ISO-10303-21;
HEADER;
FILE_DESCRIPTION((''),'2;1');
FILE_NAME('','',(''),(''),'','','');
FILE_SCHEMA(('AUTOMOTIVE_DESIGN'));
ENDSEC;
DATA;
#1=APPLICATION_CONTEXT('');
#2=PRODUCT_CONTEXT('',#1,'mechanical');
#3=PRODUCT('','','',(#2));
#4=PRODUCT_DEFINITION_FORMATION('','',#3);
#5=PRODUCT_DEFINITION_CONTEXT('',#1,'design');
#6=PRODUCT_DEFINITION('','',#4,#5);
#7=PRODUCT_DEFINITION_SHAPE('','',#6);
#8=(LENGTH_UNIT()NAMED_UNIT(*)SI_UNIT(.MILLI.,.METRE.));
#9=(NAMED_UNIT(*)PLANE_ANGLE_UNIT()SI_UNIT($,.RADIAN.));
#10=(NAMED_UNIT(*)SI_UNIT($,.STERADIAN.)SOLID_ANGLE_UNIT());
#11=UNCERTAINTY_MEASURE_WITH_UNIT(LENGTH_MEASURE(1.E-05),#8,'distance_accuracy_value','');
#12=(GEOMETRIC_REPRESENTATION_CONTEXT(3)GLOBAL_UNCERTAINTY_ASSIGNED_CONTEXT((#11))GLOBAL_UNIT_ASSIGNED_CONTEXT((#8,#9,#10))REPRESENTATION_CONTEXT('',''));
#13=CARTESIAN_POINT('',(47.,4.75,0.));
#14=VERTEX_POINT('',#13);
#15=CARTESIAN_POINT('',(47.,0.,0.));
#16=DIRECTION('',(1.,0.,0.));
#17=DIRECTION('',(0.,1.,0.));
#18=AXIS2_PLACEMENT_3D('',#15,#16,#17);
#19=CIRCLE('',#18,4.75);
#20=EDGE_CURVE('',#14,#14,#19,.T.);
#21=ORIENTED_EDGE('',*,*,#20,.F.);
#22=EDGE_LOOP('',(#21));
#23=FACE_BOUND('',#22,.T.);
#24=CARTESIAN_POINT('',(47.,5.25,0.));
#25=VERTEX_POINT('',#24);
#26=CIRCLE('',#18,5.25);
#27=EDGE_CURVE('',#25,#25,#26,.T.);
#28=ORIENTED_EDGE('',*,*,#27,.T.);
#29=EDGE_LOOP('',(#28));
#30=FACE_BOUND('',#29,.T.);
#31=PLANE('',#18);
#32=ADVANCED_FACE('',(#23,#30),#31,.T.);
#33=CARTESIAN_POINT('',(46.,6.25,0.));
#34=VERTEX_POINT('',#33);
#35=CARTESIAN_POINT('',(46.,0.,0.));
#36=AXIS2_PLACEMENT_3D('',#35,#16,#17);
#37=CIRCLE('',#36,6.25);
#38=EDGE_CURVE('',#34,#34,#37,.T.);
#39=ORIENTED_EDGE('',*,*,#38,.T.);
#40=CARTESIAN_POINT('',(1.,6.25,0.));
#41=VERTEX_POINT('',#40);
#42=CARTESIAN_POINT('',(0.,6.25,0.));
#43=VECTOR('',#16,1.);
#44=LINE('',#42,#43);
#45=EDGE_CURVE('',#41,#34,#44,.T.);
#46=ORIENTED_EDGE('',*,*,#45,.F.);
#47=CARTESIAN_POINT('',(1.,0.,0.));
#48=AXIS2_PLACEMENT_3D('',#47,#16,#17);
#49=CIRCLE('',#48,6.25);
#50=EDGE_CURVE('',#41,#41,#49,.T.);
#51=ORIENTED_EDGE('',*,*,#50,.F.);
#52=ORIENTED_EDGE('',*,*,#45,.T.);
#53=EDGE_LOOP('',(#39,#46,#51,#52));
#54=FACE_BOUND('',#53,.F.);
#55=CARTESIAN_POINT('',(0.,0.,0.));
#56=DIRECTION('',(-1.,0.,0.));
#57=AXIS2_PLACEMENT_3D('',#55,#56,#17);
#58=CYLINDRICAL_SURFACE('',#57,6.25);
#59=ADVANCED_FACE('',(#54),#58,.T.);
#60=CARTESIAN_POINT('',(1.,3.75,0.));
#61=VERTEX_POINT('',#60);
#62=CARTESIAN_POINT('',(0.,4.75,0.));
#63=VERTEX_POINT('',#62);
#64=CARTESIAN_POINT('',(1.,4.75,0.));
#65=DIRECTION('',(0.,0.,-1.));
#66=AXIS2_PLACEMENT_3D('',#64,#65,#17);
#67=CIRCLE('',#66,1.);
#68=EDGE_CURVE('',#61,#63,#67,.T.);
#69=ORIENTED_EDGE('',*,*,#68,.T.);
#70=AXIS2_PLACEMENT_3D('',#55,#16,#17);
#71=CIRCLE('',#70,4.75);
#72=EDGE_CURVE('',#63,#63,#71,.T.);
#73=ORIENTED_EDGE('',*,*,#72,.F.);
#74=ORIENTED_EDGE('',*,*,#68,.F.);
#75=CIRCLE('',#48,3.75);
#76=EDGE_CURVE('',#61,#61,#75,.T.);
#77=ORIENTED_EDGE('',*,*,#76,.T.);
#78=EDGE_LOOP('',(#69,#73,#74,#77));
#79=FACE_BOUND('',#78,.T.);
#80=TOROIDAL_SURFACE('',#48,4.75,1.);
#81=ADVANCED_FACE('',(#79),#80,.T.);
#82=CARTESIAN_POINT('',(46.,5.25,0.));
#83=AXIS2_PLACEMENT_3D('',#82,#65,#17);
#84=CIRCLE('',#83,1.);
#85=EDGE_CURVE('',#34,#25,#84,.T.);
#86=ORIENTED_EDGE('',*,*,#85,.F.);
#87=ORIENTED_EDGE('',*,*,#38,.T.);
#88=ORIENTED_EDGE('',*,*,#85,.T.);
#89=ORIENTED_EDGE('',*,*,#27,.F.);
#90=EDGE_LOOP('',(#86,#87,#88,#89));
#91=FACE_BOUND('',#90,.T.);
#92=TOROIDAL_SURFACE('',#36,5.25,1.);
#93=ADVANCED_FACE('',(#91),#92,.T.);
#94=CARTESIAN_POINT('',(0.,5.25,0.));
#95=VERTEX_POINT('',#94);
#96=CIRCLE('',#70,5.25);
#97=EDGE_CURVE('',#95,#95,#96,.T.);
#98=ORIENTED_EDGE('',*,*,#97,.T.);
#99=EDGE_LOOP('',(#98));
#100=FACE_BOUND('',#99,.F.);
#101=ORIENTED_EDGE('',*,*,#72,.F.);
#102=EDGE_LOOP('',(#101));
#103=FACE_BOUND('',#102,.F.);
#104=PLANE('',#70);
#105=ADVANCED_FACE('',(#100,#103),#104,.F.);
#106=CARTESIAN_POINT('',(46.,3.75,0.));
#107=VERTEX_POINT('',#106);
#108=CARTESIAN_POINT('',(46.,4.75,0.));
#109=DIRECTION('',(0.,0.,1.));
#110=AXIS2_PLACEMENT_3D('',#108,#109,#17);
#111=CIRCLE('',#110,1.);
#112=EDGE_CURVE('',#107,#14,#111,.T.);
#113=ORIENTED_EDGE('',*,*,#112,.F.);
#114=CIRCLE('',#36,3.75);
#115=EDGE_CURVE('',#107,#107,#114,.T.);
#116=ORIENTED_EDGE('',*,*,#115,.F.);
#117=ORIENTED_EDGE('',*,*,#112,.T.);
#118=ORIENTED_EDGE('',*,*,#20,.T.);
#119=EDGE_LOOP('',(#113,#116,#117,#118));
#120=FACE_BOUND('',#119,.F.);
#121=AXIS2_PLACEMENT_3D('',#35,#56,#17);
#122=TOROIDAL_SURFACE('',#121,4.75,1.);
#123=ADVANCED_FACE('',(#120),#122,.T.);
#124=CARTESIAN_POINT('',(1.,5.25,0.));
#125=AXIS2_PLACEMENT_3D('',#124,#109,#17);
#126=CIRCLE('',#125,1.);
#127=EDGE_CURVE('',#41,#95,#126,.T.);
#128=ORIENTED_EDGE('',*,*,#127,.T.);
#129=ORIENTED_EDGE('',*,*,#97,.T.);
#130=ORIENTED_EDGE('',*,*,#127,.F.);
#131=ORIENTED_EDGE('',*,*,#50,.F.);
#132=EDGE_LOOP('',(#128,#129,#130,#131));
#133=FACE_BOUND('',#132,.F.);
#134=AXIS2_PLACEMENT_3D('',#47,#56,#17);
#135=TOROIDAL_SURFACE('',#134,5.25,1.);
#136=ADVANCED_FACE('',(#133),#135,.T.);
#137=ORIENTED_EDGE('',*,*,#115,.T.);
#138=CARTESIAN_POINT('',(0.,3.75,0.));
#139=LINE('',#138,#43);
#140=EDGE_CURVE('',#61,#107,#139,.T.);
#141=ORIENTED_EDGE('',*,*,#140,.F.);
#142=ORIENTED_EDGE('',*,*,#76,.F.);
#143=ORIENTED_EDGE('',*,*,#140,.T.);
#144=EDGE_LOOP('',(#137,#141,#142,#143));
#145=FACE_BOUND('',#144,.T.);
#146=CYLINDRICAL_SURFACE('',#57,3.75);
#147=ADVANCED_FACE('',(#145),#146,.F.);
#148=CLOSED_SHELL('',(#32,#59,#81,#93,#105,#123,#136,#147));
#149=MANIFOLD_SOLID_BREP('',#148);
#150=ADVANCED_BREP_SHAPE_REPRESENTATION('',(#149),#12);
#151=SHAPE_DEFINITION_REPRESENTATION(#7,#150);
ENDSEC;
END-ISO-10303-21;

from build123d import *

# Parameters (mm, degrees)
F0_R     = 6.25
F0_R_2   = 3.75
F1_DEPTH = 47
F2_R     = 1


with BuildPart() as f1:
    # F0 (on Right) → F1 (new body)
    with BuildSketch(Plane.YZ):
        Circle(F0_R)
        Circle(F0_R_2, mode=Mode.SUBTRACT)
    extrude(amount=F1_DEPTH)

    # F2
    f2_edges = [f1.edges().sort_by_distance(p)[0] for p in [
        (0, -6.25, 0),
        (0, -3.75, 0),
        (47, -6.25, 0),
        (47, -3.75, 0),
    ]]
    fillet(f2_edges, radius=F2_R)


solid = f1.part
